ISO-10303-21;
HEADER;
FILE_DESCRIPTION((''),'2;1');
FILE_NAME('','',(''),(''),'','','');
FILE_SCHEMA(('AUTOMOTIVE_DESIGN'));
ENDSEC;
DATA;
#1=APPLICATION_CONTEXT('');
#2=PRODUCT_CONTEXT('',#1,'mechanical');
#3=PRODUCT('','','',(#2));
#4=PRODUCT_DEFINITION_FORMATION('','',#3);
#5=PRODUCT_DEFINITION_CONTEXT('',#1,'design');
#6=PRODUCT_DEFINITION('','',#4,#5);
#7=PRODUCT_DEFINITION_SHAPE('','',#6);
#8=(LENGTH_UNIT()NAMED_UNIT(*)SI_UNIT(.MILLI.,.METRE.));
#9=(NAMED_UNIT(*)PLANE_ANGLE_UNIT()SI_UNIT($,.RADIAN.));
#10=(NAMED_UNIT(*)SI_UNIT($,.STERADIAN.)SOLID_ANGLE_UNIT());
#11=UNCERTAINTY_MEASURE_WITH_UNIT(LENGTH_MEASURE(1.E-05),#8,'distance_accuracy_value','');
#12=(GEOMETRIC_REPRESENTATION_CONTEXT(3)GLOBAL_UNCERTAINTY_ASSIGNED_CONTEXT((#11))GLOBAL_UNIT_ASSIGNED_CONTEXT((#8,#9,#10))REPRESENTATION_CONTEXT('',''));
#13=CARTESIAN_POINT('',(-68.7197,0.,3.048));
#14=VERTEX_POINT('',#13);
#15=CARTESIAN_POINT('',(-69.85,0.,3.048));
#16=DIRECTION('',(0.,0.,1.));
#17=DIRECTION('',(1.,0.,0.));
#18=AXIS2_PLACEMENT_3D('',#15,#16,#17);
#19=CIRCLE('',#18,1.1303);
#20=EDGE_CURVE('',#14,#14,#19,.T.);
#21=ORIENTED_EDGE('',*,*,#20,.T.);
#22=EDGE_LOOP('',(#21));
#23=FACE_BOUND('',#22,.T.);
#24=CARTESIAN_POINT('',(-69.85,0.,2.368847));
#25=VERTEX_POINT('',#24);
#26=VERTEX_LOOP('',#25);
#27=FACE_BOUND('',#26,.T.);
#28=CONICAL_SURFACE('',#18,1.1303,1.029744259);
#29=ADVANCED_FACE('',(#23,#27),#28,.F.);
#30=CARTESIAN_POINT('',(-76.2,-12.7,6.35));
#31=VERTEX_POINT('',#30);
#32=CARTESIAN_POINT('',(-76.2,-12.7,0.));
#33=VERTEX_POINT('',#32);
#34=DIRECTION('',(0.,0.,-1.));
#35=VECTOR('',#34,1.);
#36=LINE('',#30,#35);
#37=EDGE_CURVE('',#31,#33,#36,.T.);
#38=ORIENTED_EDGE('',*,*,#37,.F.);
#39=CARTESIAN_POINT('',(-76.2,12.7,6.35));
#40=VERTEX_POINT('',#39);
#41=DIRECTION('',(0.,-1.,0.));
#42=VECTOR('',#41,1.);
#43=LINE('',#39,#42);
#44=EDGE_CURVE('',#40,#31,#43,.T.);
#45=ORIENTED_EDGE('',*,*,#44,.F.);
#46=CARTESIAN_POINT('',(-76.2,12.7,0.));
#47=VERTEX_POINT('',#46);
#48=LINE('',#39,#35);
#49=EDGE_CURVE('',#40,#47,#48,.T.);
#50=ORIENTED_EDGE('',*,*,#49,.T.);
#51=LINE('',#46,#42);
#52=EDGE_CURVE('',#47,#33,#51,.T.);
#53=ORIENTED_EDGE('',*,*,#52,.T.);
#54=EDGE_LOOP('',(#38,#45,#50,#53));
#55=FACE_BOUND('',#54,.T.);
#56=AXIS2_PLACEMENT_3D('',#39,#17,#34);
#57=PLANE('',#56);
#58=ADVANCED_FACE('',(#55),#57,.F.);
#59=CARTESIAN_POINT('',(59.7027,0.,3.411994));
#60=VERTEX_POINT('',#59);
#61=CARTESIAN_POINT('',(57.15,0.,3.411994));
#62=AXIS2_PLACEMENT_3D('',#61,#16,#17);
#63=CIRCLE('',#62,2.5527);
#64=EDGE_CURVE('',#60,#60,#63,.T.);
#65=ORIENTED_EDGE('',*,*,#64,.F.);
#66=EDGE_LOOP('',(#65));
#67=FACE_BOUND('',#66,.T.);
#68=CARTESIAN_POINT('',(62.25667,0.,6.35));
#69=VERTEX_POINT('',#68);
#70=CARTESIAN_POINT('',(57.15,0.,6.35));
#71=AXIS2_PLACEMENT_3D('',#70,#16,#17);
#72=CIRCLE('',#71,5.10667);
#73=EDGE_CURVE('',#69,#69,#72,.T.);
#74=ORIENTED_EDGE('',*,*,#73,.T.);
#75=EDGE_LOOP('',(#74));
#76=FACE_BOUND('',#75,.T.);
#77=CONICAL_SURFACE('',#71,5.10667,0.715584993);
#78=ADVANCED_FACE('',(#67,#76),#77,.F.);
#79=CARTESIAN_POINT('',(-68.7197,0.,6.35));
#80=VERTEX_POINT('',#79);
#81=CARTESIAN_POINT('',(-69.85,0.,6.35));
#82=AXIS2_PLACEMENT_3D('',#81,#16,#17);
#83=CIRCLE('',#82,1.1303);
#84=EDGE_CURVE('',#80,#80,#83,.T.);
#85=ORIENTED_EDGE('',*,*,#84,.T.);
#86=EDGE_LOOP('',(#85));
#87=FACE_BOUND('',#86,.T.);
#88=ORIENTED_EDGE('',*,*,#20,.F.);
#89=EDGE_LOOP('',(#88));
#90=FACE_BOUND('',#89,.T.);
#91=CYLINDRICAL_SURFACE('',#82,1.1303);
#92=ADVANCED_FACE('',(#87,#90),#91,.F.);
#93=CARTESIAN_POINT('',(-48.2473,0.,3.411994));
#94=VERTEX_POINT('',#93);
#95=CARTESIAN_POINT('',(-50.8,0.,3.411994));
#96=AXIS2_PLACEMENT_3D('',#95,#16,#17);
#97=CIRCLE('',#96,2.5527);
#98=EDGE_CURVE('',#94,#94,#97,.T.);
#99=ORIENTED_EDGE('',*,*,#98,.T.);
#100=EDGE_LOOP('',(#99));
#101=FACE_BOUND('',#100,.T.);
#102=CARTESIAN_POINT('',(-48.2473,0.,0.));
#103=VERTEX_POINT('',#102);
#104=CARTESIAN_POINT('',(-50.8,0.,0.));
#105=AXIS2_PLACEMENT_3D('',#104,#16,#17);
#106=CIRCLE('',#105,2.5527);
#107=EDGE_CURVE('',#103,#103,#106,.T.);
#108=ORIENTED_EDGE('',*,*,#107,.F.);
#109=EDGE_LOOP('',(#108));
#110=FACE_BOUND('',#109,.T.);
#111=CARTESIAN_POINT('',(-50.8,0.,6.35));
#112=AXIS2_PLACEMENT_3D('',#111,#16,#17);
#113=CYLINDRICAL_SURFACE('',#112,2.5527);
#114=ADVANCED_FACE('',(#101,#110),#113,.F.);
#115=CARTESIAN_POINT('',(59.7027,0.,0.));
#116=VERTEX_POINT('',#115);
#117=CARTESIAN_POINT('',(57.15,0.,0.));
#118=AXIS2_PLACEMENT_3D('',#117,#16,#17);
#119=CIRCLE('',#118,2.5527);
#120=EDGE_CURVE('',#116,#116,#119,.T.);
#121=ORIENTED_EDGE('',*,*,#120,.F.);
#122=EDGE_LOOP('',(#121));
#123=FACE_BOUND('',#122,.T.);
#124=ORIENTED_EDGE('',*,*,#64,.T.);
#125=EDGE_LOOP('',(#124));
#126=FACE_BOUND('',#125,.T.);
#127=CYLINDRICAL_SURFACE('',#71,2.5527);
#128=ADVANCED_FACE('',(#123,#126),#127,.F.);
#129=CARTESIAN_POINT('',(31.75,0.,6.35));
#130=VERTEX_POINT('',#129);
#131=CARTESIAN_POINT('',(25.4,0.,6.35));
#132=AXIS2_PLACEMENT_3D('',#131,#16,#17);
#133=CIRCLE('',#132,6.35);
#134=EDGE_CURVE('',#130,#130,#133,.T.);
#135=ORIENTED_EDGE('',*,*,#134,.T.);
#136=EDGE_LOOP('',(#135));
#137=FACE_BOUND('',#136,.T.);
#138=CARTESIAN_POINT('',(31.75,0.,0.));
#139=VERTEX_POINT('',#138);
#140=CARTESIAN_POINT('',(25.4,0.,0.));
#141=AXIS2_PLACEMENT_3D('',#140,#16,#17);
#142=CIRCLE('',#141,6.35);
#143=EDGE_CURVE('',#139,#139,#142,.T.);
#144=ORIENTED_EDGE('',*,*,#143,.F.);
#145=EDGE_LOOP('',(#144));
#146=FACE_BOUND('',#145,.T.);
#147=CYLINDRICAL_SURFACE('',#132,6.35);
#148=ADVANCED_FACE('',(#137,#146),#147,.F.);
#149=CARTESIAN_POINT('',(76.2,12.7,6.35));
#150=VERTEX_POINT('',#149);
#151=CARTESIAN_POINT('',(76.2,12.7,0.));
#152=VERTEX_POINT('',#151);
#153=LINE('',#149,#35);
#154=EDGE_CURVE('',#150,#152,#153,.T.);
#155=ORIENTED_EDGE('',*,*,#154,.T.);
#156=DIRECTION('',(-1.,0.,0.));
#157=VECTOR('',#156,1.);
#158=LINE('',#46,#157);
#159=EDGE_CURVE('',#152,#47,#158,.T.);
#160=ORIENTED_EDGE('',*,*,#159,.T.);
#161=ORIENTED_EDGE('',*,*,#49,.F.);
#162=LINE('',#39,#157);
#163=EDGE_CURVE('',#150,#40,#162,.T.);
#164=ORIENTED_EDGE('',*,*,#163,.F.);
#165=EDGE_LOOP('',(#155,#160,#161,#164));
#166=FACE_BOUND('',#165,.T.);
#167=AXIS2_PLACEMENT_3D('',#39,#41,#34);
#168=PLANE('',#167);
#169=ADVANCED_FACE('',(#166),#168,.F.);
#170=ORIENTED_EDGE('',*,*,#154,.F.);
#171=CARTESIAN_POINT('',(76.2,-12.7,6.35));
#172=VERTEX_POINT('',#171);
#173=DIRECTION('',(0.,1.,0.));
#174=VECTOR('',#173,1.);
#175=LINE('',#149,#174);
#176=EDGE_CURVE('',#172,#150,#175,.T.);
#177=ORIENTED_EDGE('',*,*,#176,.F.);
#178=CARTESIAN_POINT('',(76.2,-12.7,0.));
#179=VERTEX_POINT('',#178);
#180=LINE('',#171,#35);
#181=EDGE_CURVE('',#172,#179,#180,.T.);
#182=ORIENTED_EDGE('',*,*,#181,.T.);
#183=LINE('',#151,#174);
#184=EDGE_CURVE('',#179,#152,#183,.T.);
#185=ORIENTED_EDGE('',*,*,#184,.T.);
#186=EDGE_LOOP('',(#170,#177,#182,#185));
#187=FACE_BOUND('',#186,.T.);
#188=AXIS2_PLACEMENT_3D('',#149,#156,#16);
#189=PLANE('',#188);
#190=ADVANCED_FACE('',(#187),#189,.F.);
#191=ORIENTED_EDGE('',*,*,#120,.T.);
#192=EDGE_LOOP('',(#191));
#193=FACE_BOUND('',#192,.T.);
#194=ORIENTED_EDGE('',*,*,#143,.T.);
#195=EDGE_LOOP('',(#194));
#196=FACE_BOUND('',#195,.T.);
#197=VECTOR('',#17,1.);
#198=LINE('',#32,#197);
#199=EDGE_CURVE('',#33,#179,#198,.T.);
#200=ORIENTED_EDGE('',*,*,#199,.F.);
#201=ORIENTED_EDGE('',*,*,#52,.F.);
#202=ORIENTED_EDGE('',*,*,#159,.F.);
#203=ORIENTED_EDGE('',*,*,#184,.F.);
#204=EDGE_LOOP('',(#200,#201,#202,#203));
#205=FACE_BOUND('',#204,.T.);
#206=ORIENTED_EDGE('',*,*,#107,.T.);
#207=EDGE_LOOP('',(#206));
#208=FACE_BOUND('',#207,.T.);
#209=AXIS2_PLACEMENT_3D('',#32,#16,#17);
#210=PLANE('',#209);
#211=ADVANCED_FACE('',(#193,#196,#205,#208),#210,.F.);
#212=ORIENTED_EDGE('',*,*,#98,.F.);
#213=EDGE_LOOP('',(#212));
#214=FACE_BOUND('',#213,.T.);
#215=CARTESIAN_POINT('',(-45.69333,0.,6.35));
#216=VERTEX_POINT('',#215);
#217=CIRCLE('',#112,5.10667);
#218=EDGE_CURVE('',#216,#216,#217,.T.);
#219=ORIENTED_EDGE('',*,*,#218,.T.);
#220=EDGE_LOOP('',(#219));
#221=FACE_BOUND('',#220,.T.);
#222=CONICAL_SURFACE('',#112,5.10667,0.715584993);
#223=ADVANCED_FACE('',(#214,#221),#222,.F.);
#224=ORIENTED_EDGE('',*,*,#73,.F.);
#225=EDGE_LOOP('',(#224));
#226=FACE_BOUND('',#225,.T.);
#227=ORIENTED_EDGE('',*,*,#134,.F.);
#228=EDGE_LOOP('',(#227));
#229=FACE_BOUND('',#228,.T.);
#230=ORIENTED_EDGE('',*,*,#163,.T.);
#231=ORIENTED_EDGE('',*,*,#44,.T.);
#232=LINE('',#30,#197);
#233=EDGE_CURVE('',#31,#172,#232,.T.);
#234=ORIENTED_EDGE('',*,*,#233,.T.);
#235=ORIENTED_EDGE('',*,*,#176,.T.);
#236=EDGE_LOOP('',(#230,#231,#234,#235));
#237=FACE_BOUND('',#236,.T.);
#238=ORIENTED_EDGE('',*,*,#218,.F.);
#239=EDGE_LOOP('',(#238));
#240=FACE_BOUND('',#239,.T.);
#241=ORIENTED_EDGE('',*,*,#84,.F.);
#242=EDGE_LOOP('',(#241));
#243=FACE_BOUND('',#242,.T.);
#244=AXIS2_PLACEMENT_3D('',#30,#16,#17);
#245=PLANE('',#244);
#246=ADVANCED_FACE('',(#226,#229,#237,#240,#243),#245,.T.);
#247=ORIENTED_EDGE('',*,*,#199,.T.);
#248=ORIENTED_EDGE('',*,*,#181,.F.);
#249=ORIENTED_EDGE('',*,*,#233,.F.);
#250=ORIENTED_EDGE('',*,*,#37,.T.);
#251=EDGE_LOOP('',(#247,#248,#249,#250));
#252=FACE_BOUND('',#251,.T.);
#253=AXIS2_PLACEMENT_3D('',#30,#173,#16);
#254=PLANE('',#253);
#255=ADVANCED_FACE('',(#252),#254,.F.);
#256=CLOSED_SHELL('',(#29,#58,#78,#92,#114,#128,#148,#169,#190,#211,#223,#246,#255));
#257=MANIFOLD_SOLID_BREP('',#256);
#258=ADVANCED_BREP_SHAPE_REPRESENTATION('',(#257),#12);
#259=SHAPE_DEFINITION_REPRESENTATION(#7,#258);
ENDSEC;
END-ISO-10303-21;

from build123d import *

# Parameters (mm, degrees)
SKETCH1_W                                          = 152.4
SKETCH1_H                                          = 25.4
EXTRUDE1_DEPTH                                     = 6.35
F_4_40_TAPPED_HOLE2_D                              = 2.2606
F_4_40_TAPPED_HOLE2_DEPTH                          = 3.302
F_4_40_TAPPED_HOLE2_TIP                            = 0.679152758
F_1_2_0_5_DIAMETER_HOLE1_D                         = 12.7
CSK_FOR_10_FLAT_HEAD_SOCKET_CAP_SCREW2_D           = 5.1054
CSK_FOR_10_FLAT_HEAD_SOCKET_CAP_SCREW2_CSINK_D     = 10.21334
CSK_FOR_10_FLAT_HEAD_SOCKET_CAP_SCREW2_CSINK_ANGLE = 82
CSK_FOR_10_FLAT_HEAD_SOCKET_CAP_SCREW1_D           = 5.1054
CSK_FOR_10_FLAT_HEAD_SOCKET_CAP_SCREW1_CSINK_D     = 10.21334
CSK_FOR_10_FLAT_HEAD_SOCKET_CAP_SCREW1_CSINK_ANGLE = 82


with BuildPart() as part:
    # Sketch1 → Extrude1 (new body)
    with BuildSketch(Plane.XY):
        Rectangle(SKETCH1_W, SKETCH1_H)
    extrude(amount=EXTRUDE1_DEPTH)

    # #4-40 Tapped Hole2
    with Locations(Plane(origin=(-69.85, 0, 6.35), x_dir=(1, 0, 0), z_dir=(0, 0, 1))):
        with Locations((0, 0)):
            Hole(F_4_40_TAPPED_HOLE2_D / 2, depth=F_4_40_TAPPED_HOLE2_DEPTH)
            with Locations((0, 0, -(F_4_40_TAPPED_HOLE2_DEPTH + F_4_40_TAPPED_HOLE2_TIP / 2))):  # 118° drill point
                Cone(0, F_4_40_TAPPED_HOLE2_D / 2, F_4_40_TAPPED_HOLE2_TIP, mode=Mode.SUBTRACT)

    # 1/2 (0.5) Diameter Hole1 (through all)
    with Locations(Plane(origin=(25.4, 0, 6.35), x_dir=(1, 0, 0), z_dir=(0, 0, 1))):
        with Locations((0, 0)):
            Hole(F_1_2_0_5_DIAMETER_HOLE1_D / 2)

    # CSK for #10 Flat Head Socket Cap Screw2 (through all)
    with Locations(Plane(origin=(-2.296155795, -5.361260674, 6.35), x_dir=(1, 0, 0), z_dir=(0, 0, 1))):
        with Locations((59.446155795, 5.361260674)):
            CounterSinkHole(CSK_FOR_10_FLAT_HEAD_SOCKET_CAP_SCREW2_D / 2, CSK_FOR_10_FLAT_HEAD_SOCKET_CAP_SCREW2_CSINK_D / 2, counter_sink_angle=CSK_FOR_10_FLAT_HEAD_SOCKET_CAP_SCREW2_CSINK_ANGLE)

    # CSK for #10 Flat Head Socket Cap Screw1 (through all)
    with Locations(Plane(origin=(-2.296155795, -5.361260674, 6.35), x_dir=(1, 0, 0), z_dir=(0, 0, 1))):
        with Locations((-48.503844205, 5.361260674)):
            CounterSinkHole(CSK_FOR_10_FLAT_HEAD_SOCKET_CAP_SCREW1_D / 2, CSK_FOR_10_FLAT_HEAD_SOCKET_CAP_SCREW1_CSINK_D / 2, counter_sink_angle=CSK_FOR_10_FLAT_HEAD_SOCKET_CAP_SCREW1_CSINK_ANGLE)


solid = part.part
